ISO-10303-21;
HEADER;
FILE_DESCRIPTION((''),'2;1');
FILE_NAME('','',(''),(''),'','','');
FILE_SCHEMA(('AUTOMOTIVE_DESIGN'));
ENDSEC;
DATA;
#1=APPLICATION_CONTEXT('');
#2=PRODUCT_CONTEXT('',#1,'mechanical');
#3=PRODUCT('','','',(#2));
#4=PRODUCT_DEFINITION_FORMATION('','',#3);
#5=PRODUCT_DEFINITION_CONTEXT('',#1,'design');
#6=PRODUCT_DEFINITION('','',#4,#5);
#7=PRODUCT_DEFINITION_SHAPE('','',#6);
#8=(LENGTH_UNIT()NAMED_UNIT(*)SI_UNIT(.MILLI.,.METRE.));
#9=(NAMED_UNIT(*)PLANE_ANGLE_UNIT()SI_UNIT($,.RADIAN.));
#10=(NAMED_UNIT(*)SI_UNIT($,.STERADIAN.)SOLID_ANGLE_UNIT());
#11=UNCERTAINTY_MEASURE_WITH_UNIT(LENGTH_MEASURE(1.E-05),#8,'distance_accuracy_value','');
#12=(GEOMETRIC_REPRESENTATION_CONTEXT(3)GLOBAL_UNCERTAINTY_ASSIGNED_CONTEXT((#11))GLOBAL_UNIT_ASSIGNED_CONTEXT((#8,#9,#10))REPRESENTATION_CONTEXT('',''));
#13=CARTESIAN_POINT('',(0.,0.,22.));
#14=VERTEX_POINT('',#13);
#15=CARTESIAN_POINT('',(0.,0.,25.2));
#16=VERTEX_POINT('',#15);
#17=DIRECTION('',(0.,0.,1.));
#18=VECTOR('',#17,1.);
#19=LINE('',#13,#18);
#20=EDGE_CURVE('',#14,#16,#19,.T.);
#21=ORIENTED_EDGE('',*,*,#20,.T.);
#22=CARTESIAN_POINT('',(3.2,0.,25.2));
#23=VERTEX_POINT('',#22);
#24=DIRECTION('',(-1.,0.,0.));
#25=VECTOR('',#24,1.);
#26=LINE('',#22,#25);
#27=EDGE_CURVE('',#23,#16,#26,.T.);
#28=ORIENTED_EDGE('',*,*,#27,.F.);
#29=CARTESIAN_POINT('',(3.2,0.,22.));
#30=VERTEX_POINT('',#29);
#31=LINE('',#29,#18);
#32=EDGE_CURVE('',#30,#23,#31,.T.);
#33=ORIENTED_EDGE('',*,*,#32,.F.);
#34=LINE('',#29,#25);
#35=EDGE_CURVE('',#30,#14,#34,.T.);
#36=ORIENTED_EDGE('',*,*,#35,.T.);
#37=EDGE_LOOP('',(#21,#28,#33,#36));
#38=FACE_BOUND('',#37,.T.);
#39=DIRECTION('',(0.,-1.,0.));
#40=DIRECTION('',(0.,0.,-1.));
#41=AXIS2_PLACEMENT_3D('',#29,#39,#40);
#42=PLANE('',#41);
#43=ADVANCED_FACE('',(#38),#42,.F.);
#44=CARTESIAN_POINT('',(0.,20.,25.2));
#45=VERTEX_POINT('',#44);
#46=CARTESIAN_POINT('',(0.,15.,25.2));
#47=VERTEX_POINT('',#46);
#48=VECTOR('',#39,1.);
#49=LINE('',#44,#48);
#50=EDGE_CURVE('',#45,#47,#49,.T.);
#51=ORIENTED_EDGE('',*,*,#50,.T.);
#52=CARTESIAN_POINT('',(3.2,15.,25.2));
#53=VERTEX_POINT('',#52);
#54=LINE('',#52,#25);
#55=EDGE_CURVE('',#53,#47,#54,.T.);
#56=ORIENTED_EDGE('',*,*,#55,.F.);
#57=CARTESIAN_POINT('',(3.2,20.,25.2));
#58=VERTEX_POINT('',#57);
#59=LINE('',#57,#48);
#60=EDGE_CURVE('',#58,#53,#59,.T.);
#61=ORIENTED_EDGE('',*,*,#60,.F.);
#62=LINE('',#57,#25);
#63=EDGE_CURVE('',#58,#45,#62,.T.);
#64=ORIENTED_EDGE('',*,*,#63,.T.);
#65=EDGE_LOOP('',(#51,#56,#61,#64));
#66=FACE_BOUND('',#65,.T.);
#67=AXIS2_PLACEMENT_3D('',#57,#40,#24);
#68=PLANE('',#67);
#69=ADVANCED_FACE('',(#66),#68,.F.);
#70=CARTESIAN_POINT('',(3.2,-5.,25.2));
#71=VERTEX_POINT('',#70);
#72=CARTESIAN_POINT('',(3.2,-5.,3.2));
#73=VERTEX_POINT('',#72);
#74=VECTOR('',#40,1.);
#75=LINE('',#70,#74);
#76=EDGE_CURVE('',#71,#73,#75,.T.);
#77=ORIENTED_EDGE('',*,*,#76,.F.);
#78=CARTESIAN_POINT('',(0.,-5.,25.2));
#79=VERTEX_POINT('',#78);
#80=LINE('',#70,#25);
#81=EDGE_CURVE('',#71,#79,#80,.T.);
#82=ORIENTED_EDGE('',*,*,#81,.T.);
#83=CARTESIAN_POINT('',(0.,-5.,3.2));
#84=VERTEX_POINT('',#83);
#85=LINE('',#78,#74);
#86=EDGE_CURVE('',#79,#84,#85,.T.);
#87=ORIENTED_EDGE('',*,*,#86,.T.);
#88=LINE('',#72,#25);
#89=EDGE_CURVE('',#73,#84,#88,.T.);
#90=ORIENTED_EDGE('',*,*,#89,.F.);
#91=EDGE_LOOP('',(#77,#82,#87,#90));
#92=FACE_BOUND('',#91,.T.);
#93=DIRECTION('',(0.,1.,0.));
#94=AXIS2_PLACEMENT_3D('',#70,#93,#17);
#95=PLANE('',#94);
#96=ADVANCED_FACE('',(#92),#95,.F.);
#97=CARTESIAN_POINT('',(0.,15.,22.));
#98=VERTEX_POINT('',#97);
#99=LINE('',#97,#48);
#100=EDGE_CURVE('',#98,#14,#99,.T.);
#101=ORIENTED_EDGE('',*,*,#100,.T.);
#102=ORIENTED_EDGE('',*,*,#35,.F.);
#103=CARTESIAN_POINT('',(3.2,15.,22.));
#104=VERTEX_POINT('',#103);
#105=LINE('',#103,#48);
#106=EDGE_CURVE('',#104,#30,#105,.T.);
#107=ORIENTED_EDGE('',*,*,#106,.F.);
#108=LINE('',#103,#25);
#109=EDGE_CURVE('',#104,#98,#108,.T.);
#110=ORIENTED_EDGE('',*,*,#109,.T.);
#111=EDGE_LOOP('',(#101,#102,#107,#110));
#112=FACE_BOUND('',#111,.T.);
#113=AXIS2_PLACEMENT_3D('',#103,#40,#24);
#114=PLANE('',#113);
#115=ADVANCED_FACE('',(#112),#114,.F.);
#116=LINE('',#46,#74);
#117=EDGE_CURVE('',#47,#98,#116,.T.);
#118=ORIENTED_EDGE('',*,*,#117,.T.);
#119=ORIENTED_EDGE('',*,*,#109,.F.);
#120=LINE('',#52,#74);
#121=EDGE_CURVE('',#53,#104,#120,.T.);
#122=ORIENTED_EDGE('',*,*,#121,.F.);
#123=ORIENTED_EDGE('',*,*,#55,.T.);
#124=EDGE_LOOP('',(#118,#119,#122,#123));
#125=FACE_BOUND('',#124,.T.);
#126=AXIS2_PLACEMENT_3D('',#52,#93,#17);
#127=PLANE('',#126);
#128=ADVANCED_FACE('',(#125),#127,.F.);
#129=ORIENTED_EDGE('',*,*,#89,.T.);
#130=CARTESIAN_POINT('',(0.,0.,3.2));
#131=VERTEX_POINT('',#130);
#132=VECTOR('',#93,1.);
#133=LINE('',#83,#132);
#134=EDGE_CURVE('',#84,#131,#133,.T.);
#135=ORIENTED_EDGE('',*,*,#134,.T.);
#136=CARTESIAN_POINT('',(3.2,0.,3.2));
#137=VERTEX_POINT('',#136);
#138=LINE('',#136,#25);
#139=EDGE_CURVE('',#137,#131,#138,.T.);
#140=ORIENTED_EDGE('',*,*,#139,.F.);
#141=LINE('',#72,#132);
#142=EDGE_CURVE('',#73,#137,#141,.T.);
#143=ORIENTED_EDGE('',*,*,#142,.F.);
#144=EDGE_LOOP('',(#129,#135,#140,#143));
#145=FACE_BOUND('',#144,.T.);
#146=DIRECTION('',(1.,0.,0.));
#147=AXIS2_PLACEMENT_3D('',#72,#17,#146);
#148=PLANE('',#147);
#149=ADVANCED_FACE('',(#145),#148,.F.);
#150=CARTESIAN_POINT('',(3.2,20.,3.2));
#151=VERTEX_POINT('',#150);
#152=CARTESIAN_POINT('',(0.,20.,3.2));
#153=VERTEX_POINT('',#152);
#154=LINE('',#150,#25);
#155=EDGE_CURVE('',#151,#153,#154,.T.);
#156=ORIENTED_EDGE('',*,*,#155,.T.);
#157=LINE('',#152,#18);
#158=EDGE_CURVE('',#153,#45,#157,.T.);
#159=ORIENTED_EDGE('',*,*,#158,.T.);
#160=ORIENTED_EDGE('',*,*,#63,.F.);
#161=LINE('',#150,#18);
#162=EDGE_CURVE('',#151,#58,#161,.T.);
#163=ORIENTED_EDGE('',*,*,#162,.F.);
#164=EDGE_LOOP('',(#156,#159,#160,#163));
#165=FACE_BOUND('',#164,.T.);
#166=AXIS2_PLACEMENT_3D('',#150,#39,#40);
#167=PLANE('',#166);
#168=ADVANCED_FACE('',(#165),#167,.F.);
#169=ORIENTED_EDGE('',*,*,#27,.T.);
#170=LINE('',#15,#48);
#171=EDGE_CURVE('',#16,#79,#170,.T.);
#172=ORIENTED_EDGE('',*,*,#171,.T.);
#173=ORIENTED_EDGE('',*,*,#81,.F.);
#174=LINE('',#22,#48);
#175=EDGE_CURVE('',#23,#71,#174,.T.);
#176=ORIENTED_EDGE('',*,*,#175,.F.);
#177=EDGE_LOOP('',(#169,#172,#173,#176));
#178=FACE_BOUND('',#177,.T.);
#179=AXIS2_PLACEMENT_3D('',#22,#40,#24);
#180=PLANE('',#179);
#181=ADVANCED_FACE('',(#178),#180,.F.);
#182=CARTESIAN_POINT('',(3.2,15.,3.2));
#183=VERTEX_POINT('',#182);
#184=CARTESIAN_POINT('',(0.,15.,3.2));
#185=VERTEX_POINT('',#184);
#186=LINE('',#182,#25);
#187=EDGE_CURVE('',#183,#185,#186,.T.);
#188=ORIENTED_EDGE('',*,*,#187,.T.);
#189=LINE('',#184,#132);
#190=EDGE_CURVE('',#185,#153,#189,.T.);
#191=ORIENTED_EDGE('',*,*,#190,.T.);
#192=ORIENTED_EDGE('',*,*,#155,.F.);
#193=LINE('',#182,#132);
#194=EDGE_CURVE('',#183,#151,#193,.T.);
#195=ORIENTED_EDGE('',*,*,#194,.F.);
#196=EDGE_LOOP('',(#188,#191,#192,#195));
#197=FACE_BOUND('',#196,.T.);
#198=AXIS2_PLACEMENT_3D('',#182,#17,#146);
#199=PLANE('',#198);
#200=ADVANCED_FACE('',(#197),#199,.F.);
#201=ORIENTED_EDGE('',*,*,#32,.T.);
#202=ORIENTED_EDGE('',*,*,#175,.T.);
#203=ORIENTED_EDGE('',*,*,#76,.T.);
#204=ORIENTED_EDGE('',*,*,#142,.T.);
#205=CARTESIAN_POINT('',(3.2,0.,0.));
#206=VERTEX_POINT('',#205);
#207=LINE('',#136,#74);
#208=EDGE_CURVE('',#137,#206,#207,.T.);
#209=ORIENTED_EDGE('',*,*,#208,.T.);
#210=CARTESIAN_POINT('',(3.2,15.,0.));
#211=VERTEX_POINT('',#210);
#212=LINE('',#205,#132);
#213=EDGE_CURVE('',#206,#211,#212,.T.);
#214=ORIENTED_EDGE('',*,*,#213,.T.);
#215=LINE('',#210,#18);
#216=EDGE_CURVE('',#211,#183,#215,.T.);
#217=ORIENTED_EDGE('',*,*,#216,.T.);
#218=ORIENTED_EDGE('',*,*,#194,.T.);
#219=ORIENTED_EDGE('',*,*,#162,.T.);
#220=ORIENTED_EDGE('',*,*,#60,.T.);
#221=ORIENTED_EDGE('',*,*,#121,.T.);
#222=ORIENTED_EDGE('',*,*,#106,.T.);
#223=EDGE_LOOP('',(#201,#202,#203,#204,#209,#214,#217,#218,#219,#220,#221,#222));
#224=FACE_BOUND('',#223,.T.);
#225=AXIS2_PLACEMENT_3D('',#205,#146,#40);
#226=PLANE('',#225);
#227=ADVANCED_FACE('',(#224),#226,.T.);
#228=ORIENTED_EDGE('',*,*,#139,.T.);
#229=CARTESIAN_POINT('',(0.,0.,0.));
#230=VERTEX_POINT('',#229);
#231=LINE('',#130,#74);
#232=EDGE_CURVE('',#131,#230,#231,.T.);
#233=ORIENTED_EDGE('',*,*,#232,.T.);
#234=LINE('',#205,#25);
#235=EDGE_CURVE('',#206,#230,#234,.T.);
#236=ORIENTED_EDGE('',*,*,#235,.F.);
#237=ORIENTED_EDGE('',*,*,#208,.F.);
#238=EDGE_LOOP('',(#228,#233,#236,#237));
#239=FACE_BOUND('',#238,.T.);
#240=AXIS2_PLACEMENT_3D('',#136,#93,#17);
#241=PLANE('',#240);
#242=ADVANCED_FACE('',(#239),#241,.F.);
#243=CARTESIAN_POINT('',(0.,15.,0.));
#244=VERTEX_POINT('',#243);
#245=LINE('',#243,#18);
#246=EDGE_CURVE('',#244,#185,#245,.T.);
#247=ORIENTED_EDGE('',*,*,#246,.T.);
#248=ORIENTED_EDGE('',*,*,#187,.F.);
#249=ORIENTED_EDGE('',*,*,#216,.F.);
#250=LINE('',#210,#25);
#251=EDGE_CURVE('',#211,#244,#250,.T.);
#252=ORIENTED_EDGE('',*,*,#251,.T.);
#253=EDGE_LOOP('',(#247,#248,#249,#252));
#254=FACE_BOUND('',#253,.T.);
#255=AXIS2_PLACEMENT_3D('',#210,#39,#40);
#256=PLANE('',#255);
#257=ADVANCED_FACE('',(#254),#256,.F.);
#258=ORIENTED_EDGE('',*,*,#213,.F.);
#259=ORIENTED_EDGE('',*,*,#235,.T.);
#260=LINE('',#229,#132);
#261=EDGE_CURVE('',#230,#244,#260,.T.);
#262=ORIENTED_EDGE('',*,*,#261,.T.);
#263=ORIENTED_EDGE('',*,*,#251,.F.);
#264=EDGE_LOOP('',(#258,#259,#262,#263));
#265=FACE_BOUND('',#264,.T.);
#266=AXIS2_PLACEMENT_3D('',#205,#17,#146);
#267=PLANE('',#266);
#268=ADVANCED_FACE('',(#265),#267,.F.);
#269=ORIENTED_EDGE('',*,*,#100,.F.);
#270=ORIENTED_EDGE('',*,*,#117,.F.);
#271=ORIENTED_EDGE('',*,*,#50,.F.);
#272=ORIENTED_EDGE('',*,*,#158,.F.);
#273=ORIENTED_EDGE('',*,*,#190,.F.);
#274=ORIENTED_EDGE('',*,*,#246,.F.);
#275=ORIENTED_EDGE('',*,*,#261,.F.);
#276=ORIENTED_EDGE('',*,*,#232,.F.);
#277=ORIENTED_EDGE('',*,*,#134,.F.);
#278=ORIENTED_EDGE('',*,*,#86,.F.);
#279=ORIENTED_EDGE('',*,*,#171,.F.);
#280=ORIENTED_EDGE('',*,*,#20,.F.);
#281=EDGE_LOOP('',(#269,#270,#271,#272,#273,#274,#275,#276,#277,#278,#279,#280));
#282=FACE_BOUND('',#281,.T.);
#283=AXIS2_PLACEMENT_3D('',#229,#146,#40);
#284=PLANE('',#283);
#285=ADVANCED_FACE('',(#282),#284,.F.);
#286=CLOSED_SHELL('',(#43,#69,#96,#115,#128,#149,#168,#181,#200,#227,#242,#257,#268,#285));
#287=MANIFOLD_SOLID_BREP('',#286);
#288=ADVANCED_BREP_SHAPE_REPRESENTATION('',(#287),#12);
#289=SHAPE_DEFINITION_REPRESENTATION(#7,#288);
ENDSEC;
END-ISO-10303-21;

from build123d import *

# Parameters (mm, degrees)
BOSS_EXTRUDE1_DEPTH = 3.2


with BuildPart() as part:
    # Sketch1 → Boss-Extrude1 (new body)
    with BuildSketch(Plane(origin=(0, 0, 0), x_dir=(0, 0, -1), z_dir=(1, 0, 0))):
        Polygon((0, 0), (0, 15), (-3.2, 15), (-3.2, 20), (-25.2, 20), (-25.2, 15), (-22, 15), (-22, 0), (-25.2, 0), (-25.2, -5), (-3.2, -5), (-3.2, 0), align=None)
    extrude(amount=BOSS_EXTRUDE1_DEPTH)


solid = part.part
